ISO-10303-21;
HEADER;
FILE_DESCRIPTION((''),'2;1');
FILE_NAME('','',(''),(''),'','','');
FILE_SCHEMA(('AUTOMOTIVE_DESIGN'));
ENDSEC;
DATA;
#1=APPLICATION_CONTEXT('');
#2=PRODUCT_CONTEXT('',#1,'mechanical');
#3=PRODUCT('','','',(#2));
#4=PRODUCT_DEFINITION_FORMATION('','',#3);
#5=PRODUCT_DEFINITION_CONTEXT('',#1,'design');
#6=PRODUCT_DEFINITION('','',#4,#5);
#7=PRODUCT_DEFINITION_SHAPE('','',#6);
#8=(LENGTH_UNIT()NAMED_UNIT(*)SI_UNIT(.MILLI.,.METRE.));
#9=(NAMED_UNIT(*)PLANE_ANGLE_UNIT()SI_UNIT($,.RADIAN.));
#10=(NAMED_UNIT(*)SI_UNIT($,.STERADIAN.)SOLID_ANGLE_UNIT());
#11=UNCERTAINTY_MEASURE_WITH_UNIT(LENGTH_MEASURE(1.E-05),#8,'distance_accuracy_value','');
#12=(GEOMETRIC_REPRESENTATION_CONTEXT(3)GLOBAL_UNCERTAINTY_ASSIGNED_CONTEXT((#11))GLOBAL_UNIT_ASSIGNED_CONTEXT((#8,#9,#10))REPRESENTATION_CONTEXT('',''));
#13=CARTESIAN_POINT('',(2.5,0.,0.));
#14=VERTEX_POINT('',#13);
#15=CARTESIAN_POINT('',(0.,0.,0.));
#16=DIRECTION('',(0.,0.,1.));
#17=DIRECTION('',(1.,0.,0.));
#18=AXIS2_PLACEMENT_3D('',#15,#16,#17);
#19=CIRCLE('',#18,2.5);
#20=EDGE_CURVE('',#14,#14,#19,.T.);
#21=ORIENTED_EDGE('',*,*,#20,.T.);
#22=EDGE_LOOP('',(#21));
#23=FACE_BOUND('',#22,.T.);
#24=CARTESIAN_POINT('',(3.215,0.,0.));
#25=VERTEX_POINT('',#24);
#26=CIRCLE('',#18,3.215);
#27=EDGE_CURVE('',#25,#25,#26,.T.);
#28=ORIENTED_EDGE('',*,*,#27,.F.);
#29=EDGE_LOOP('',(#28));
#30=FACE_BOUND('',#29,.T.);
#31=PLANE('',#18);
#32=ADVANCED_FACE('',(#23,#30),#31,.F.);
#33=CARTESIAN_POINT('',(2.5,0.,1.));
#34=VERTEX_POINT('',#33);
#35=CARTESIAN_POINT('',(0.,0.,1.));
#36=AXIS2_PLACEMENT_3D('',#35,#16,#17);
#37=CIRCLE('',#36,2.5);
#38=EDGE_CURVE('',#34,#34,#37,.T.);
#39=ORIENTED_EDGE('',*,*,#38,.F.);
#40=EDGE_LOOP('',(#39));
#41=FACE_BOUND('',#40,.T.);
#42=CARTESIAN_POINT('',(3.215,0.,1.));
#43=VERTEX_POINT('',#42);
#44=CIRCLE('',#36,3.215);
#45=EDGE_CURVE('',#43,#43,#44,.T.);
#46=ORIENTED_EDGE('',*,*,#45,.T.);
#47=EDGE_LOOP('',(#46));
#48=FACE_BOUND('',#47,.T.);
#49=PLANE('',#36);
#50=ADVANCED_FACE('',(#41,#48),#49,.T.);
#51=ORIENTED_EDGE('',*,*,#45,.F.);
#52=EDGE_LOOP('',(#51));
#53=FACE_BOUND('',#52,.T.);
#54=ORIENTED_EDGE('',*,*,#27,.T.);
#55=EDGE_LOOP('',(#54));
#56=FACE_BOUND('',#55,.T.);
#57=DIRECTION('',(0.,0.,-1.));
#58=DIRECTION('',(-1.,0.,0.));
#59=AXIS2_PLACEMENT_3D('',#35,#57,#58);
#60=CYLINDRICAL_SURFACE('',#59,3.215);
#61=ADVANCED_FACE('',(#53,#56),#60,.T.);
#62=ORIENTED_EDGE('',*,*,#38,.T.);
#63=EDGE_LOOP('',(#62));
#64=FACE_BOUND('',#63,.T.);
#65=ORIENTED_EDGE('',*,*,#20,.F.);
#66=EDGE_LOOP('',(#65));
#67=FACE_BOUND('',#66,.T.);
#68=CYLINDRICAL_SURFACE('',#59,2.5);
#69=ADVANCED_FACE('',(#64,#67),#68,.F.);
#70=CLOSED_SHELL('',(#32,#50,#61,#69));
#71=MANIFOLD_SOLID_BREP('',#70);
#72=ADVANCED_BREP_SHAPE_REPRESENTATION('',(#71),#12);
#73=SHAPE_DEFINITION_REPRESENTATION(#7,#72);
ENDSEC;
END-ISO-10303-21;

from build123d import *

# Parameters (mm, degrees)
SCHIZZO1_R                   = 3.215
SCHIZZO1_R_2                 = 2.5
ESTRUSIONE_ESTRUSIONE1_DEPTH = 1


with BuildPart() as part:
    # Schizzo1 → Estrusione-Estrusione1 (new body)
    with BuildSketch(Plane.XY):
        Circle(SCHIZZO1_R)
        Circle(SCHIZZO1_R_2, mode=Mode.SUBTRACT)
    extrude(amount=ESTRUSIONE_ESTRUSIONE1_DEPTH)


solid = part.part
